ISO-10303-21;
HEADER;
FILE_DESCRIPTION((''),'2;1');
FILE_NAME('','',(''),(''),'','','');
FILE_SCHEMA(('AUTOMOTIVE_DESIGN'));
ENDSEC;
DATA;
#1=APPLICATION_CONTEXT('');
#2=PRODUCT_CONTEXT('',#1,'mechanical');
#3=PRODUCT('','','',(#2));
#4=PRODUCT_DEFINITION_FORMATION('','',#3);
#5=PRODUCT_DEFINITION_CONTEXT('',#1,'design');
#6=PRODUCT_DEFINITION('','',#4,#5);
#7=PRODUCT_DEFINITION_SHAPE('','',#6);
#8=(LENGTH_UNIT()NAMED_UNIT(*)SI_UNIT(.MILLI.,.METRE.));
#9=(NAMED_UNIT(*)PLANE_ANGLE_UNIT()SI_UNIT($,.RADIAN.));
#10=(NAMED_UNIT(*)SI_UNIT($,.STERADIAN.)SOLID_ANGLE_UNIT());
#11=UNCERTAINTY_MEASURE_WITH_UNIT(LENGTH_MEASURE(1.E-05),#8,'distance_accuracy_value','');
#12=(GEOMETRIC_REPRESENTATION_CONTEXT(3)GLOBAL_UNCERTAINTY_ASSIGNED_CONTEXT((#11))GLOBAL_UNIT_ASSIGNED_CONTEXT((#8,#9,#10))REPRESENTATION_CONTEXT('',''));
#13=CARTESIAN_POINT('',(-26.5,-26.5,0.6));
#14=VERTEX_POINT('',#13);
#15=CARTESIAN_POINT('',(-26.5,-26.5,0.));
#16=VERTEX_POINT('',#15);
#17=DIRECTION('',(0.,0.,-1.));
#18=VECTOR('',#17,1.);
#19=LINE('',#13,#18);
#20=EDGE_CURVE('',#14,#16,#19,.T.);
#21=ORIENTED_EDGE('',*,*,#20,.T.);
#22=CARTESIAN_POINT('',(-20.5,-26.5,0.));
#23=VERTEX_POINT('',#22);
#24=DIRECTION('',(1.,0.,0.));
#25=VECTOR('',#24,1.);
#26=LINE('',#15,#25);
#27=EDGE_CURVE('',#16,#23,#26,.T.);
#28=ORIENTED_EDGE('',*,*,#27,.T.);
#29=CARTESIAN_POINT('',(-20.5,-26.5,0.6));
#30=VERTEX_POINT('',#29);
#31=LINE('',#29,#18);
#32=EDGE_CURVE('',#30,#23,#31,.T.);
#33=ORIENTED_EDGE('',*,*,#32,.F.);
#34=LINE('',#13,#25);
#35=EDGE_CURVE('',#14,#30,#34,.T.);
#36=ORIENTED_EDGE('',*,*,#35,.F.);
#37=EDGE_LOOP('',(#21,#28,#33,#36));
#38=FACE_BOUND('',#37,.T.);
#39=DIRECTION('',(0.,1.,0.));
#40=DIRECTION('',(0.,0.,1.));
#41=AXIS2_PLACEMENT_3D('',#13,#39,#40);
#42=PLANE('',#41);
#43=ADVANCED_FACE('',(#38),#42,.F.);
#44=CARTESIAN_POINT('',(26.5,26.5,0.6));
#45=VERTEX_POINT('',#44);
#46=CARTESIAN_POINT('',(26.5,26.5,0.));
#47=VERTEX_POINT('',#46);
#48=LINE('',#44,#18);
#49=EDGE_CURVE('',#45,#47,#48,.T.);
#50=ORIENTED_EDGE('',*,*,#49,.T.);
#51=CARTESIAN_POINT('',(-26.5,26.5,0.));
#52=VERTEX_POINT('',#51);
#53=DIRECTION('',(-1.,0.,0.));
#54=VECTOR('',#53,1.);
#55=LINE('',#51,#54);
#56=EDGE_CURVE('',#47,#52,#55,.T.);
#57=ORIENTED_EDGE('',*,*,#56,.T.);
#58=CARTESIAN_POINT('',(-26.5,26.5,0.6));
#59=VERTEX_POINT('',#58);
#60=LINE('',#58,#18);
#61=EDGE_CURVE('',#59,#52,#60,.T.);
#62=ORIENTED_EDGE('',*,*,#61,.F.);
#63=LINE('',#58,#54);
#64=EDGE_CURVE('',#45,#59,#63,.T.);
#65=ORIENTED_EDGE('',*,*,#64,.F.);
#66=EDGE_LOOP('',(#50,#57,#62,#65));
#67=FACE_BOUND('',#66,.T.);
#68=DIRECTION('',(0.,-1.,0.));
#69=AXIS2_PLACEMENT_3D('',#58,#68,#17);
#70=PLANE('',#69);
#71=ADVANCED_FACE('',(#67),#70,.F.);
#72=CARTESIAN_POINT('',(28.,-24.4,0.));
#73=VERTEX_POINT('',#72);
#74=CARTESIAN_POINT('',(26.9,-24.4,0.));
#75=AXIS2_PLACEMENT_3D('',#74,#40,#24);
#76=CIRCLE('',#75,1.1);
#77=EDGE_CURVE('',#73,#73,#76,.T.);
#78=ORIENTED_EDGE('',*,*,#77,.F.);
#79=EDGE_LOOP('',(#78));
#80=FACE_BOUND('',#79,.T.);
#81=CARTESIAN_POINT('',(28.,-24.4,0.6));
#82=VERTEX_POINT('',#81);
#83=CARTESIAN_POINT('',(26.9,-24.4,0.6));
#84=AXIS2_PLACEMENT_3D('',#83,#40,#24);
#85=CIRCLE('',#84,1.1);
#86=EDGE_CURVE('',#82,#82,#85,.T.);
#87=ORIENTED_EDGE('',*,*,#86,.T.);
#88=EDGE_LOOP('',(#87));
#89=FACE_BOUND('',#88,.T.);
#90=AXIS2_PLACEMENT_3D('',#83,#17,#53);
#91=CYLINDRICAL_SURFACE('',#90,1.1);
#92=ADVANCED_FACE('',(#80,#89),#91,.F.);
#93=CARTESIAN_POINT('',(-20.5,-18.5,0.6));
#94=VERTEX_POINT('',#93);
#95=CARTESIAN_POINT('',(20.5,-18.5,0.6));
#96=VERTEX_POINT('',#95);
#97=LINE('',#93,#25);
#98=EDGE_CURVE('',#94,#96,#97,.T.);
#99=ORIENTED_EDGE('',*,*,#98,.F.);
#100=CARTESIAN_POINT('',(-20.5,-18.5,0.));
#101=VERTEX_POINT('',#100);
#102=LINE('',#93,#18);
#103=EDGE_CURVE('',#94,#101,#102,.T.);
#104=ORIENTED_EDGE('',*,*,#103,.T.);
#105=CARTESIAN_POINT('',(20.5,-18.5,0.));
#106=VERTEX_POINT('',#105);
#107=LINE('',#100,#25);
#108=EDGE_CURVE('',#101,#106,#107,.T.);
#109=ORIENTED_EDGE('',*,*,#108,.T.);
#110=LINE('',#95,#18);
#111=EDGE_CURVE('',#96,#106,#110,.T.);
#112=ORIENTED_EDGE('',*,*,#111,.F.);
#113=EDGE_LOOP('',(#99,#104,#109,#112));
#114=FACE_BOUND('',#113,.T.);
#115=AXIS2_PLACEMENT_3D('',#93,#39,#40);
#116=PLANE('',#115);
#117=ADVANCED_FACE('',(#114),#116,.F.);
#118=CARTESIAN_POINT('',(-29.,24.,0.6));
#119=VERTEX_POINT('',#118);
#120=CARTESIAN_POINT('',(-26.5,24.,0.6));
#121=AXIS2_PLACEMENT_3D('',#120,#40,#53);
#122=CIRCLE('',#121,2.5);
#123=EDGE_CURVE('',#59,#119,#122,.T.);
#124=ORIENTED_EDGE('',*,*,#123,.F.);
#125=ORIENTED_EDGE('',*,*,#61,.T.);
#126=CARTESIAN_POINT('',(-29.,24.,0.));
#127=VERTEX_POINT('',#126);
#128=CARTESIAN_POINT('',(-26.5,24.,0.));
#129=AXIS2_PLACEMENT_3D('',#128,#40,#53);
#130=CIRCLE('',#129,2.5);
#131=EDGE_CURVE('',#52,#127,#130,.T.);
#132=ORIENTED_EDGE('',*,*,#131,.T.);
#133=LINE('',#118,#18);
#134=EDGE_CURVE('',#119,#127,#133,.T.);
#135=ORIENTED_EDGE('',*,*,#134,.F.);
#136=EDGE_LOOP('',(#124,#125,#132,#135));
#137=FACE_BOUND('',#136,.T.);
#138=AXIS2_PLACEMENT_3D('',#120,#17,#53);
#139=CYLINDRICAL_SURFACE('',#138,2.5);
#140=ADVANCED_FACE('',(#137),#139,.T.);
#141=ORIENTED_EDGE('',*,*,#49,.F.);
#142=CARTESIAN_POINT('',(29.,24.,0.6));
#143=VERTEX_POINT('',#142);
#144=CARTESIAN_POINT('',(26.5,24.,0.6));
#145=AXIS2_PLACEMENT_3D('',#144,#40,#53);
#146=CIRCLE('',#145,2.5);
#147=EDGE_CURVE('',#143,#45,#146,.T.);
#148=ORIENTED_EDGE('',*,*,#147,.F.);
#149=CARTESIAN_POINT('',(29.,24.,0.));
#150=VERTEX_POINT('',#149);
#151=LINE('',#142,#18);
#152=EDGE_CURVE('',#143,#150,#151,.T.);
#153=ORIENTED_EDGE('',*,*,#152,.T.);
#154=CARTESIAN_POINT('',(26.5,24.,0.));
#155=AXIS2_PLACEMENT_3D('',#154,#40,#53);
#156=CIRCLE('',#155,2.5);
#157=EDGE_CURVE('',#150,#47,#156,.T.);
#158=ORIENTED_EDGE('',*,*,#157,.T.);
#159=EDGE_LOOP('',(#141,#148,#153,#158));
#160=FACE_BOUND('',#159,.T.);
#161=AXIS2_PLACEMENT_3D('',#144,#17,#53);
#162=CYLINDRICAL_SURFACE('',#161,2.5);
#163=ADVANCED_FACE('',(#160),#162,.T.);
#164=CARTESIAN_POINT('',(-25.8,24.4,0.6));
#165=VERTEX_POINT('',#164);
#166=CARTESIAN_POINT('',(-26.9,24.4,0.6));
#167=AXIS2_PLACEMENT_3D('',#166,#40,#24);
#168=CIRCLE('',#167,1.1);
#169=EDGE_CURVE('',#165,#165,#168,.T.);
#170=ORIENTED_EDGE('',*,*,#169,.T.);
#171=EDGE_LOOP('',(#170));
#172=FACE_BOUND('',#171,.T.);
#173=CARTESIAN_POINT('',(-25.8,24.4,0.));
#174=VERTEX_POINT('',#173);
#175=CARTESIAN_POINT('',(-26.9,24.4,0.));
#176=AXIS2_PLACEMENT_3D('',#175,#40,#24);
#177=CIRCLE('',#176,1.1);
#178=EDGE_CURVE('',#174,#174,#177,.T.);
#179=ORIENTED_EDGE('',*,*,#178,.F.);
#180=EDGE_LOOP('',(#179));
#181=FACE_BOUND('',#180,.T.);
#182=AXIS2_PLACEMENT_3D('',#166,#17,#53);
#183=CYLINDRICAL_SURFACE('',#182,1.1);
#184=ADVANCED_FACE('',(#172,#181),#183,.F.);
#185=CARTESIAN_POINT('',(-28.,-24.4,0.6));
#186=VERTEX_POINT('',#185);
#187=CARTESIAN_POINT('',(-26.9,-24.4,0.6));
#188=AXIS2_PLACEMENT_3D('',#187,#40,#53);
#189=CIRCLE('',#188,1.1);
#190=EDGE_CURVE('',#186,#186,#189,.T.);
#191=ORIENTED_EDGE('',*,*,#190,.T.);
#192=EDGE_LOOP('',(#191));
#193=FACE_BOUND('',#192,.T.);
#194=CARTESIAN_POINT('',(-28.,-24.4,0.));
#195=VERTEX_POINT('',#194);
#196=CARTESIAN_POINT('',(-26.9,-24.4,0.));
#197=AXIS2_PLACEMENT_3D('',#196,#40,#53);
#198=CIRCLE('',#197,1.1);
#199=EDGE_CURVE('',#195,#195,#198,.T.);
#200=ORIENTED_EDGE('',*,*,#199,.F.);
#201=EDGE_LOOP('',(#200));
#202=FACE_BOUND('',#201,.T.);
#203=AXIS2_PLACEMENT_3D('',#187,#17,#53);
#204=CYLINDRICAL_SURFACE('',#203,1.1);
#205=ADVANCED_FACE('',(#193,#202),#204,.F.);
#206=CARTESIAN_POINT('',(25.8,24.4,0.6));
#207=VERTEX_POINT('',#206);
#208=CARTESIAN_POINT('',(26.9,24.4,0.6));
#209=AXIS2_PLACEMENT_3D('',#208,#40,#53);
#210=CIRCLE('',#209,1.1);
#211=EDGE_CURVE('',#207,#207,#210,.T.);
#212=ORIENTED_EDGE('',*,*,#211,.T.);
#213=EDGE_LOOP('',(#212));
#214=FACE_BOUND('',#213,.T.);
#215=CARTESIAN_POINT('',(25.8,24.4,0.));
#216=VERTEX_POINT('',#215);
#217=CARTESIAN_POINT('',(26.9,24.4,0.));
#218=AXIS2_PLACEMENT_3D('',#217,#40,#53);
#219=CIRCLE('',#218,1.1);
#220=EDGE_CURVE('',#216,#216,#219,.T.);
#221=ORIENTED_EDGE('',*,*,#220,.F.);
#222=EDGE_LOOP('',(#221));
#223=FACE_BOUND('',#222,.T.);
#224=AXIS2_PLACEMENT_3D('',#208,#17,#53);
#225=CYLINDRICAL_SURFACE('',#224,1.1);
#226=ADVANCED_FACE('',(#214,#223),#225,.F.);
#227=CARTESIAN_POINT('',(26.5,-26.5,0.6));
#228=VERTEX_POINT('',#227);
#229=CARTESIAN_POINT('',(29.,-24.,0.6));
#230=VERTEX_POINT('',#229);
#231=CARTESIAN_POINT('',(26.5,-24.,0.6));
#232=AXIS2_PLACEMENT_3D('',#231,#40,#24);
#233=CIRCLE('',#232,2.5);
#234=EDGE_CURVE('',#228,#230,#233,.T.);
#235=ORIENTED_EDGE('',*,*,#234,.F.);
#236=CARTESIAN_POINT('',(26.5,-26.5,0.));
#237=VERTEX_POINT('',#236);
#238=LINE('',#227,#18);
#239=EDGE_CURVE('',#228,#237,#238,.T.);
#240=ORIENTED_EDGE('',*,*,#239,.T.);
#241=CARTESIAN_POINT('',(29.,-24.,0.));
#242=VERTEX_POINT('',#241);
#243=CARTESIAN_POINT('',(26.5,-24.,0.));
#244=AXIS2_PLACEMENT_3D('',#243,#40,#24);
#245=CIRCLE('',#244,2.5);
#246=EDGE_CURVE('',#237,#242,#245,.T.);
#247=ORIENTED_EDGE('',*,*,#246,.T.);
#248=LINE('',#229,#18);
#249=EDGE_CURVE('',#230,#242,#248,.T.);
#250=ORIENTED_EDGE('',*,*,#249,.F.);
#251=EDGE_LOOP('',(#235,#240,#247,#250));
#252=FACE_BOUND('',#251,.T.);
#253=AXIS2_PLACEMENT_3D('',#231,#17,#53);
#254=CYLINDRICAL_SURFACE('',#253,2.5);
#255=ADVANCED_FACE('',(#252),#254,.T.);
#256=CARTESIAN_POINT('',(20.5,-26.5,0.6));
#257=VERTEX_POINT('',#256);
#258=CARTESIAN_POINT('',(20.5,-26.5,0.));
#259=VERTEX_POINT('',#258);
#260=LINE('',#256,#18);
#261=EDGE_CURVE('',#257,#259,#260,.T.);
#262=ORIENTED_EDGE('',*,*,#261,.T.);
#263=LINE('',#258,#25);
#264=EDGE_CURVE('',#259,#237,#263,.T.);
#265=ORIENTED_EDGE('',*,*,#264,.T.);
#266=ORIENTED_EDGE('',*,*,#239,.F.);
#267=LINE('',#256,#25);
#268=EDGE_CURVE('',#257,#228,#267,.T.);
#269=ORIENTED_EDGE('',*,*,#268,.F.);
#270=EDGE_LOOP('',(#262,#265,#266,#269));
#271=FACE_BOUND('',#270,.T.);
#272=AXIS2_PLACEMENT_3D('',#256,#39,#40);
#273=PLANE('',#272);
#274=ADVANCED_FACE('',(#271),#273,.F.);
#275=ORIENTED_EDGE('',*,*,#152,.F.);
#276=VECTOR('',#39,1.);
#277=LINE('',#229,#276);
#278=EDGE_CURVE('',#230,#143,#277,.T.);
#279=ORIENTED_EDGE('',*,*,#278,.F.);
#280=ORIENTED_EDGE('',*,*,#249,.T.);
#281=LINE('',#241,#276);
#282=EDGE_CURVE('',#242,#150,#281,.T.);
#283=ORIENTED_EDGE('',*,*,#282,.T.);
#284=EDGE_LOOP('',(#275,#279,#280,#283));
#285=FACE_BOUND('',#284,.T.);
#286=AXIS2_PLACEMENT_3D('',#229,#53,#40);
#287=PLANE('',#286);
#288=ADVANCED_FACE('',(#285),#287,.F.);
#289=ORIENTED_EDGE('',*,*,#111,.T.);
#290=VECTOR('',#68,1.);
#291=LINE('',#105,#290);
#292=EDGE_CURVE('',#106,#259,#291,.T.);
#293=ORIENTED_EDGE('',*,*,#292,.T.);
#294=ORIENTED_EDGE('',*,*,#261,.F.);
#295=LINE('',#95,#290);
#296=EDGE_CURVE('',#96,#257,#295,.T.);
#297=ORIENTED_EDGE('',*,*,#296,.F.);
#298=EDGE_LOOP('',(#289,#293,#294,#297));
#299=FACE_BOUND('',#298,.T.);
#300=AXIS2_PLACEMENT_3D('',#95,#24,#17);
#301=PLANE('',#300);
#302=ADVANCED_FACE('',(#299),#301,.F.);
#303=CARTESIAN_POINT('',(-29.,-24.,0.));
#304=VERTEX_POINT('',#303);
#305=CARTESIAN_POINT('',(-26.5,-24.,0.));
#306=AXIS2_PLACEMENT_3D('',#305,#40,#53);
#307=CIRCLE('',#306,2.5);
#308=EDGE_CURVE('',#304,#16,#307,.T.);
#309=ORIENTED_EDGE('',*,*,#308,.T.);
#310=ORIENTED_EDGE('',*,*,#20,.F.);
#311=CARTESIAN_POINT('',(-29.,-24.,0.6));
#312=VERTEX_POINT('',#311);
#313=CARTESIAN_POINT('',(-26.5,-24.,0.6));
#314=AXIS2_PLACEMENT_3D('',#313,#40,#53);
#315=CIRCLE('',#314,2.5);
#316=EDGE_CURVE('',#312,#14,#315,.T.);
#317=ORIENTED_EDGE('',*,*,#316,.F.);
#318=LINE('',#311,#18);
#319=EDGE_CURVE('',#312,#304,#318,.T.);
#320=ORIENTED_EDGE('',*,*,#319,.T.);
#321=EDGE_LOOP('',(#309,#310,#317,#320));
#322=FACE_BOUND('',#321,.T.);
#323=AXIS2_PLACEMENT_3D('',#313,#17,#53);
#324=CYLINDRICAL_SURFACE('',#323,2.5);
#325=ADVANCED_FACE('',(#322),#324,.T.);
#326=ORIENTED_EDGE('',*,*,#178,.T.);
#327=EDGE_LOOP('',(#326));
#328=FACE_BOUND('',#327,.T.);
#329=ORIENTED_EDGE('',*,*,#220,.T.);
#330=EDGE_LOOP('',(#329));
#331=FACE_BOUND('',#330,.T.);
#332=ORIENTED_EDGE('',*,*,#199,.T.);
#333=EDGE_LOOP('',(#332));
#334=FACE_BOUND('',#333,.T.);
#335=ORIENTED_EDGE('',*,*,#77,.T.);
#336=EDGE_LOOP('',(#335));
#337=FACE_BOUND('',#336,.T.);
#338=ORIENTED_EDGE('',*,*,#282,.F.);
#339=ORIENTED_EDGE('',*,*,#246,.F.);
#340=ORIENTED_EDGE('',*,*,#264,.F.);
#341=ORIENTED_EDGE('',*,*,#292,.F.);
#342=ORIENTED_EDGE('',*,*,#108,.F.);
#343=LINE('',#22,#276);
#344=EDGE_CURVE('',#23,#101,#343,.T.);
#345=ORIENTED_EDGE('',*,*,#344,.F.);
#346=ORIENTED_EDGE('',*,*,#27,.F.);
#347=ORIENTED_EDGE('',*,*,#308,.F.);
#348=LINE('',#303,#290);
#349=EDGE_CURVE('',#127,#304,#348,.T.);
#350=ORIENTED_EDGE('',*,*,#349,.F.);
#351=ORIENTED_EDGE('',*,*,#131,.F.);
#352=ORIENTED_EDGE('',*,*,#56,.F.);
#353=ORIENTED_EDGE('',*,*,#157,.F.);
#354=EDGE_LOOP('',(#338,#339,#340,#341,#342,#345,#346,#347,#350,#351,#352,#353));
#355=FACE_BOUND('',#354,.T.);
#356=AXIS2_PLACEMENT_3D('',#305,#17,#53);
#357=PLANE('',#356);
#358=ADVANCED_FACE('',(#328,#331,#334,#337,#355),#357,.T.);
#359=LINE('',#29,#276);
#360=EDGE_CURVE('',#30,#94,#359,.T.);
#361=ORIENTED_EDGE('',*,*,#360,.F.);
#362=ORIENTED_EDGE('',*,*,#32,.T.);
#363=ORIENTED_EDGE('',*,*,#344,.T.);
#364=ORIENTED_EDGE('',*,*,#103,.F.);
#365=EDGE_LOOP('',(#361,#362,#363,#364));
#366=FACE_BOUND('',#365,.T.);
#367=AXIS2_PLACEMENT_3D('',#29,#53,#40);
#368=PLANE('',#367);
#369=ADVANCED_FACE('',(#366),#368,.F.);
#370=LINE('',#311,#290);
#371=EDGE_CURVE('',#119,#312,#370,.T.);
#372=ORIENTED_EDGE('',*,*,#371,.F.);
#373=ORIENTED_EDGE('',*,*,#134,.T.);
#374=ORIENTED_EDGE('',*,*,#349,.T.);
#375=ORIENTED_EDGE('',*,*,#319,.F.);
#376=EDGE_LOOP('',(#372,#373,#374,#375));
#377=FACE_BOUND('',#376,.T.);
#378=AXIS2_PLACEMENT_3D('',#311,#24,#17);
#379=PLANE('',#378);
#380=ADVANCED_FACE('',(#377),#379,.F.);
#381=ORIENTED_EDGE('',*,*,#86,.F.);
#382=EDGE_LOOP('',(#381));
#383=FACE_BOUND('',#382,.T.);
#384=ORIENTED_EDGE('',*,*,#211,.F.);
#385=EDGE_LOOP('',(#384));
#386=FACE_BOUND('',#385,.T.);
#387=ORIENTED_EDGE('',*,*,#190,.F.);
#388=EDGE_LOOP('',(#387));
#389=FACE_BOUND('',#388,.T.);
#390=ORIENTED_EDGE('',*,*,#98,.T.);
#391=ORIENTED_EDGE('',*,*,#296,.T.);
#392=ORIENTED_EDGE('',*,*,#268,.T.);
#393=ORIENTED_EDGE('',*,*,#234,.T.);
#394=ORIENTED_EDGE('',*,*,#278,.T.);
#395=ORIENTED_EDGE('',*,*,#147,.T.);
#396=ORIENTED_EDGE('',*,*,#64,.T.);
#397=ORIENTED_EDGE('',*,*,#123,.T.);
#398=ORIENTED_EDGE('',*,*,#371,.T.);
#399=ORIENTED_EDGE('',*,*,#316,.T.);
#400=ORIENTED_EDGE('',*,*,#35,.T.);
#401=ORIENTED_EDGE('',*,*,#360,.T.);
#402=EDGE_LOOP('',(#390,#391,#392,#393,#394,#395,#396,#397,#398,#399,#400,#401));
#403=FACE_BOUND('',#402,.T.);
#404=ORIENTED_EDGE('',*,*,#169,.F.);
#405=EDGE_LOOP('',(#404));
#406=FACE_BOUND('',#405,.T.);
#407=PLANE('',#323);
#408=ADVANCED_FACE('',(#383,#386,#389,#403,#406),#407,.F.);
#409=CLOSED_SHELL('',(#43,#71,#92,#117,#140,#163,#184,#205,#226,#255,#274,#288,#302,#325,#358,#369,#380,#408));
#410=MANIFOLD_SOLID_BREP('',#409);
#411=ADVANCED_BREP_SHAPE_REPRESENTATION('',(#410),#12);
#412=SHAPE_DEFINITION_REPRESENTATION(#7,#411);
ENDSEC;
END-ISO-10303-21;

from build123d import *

# Parameters (mm, degrees)
SKETCH_1_R      = 1.1
EXTRUDE_1_DEPTH = 0.6


with BuildPart() as part:
    # 草图1 → 凸台-拉伸1 (new body)
    with BuildSketch(Plane.XY):
        with BuildLine():
            Line((-26.5, -26.5), (-20.5, -26.5))
            Line((-20.5, -26.5), (-20.5, -18.5))
            Line((-20.5, -18.5), (20.5, -18.5))
            Line((20.5, -18.5), (20.5, -26.5))
            Line((20.5, -26.5), (26.5, -26.5))
            ThreePointArc((26.5, -26.5), (28.267766953, -25.767766953), (29, -24))
            Line((29, -24), (29, 24))
            ThreePointArc((29, 24), (28.267766953, 25.767766953), (26.5, 26.5))
            Line((26.5, 26.5), (-26.5, 26.5))
            ThreePointArc((-26.5, 26.5), (-28.267766953, 25.767766953), (-29, 24))
            Line((-29, 24), (-29, -24))
            ThreePointArc((-29, -24), (-28.267766953, -25.767766953), (-26.5, -26.5))
        make_face()
        with Locations((-26.9, 24.4)):
            Circle(SKETCH_1_R, mode=Mode.SUBTRACT)
        with Locations(Location((-26.9, -24.4, 0), (0, 0, 180))):
            Circle(SKETCH_1_R, mode=Mode.SUBTRACT)
        with Locations((26.9, -24.4)):
            Circle(SKETCH_1_R, mode=Mode.SUBTRACT)
        with Locations(Location((26.9, 24.4, 0), (0, 0, 180))):
            Circle(SKETCH_1_R, mode=Mode.SUBTRACT)
    extrude(amount=EXTRUDE_1_DEPTH)


solid = part.part
